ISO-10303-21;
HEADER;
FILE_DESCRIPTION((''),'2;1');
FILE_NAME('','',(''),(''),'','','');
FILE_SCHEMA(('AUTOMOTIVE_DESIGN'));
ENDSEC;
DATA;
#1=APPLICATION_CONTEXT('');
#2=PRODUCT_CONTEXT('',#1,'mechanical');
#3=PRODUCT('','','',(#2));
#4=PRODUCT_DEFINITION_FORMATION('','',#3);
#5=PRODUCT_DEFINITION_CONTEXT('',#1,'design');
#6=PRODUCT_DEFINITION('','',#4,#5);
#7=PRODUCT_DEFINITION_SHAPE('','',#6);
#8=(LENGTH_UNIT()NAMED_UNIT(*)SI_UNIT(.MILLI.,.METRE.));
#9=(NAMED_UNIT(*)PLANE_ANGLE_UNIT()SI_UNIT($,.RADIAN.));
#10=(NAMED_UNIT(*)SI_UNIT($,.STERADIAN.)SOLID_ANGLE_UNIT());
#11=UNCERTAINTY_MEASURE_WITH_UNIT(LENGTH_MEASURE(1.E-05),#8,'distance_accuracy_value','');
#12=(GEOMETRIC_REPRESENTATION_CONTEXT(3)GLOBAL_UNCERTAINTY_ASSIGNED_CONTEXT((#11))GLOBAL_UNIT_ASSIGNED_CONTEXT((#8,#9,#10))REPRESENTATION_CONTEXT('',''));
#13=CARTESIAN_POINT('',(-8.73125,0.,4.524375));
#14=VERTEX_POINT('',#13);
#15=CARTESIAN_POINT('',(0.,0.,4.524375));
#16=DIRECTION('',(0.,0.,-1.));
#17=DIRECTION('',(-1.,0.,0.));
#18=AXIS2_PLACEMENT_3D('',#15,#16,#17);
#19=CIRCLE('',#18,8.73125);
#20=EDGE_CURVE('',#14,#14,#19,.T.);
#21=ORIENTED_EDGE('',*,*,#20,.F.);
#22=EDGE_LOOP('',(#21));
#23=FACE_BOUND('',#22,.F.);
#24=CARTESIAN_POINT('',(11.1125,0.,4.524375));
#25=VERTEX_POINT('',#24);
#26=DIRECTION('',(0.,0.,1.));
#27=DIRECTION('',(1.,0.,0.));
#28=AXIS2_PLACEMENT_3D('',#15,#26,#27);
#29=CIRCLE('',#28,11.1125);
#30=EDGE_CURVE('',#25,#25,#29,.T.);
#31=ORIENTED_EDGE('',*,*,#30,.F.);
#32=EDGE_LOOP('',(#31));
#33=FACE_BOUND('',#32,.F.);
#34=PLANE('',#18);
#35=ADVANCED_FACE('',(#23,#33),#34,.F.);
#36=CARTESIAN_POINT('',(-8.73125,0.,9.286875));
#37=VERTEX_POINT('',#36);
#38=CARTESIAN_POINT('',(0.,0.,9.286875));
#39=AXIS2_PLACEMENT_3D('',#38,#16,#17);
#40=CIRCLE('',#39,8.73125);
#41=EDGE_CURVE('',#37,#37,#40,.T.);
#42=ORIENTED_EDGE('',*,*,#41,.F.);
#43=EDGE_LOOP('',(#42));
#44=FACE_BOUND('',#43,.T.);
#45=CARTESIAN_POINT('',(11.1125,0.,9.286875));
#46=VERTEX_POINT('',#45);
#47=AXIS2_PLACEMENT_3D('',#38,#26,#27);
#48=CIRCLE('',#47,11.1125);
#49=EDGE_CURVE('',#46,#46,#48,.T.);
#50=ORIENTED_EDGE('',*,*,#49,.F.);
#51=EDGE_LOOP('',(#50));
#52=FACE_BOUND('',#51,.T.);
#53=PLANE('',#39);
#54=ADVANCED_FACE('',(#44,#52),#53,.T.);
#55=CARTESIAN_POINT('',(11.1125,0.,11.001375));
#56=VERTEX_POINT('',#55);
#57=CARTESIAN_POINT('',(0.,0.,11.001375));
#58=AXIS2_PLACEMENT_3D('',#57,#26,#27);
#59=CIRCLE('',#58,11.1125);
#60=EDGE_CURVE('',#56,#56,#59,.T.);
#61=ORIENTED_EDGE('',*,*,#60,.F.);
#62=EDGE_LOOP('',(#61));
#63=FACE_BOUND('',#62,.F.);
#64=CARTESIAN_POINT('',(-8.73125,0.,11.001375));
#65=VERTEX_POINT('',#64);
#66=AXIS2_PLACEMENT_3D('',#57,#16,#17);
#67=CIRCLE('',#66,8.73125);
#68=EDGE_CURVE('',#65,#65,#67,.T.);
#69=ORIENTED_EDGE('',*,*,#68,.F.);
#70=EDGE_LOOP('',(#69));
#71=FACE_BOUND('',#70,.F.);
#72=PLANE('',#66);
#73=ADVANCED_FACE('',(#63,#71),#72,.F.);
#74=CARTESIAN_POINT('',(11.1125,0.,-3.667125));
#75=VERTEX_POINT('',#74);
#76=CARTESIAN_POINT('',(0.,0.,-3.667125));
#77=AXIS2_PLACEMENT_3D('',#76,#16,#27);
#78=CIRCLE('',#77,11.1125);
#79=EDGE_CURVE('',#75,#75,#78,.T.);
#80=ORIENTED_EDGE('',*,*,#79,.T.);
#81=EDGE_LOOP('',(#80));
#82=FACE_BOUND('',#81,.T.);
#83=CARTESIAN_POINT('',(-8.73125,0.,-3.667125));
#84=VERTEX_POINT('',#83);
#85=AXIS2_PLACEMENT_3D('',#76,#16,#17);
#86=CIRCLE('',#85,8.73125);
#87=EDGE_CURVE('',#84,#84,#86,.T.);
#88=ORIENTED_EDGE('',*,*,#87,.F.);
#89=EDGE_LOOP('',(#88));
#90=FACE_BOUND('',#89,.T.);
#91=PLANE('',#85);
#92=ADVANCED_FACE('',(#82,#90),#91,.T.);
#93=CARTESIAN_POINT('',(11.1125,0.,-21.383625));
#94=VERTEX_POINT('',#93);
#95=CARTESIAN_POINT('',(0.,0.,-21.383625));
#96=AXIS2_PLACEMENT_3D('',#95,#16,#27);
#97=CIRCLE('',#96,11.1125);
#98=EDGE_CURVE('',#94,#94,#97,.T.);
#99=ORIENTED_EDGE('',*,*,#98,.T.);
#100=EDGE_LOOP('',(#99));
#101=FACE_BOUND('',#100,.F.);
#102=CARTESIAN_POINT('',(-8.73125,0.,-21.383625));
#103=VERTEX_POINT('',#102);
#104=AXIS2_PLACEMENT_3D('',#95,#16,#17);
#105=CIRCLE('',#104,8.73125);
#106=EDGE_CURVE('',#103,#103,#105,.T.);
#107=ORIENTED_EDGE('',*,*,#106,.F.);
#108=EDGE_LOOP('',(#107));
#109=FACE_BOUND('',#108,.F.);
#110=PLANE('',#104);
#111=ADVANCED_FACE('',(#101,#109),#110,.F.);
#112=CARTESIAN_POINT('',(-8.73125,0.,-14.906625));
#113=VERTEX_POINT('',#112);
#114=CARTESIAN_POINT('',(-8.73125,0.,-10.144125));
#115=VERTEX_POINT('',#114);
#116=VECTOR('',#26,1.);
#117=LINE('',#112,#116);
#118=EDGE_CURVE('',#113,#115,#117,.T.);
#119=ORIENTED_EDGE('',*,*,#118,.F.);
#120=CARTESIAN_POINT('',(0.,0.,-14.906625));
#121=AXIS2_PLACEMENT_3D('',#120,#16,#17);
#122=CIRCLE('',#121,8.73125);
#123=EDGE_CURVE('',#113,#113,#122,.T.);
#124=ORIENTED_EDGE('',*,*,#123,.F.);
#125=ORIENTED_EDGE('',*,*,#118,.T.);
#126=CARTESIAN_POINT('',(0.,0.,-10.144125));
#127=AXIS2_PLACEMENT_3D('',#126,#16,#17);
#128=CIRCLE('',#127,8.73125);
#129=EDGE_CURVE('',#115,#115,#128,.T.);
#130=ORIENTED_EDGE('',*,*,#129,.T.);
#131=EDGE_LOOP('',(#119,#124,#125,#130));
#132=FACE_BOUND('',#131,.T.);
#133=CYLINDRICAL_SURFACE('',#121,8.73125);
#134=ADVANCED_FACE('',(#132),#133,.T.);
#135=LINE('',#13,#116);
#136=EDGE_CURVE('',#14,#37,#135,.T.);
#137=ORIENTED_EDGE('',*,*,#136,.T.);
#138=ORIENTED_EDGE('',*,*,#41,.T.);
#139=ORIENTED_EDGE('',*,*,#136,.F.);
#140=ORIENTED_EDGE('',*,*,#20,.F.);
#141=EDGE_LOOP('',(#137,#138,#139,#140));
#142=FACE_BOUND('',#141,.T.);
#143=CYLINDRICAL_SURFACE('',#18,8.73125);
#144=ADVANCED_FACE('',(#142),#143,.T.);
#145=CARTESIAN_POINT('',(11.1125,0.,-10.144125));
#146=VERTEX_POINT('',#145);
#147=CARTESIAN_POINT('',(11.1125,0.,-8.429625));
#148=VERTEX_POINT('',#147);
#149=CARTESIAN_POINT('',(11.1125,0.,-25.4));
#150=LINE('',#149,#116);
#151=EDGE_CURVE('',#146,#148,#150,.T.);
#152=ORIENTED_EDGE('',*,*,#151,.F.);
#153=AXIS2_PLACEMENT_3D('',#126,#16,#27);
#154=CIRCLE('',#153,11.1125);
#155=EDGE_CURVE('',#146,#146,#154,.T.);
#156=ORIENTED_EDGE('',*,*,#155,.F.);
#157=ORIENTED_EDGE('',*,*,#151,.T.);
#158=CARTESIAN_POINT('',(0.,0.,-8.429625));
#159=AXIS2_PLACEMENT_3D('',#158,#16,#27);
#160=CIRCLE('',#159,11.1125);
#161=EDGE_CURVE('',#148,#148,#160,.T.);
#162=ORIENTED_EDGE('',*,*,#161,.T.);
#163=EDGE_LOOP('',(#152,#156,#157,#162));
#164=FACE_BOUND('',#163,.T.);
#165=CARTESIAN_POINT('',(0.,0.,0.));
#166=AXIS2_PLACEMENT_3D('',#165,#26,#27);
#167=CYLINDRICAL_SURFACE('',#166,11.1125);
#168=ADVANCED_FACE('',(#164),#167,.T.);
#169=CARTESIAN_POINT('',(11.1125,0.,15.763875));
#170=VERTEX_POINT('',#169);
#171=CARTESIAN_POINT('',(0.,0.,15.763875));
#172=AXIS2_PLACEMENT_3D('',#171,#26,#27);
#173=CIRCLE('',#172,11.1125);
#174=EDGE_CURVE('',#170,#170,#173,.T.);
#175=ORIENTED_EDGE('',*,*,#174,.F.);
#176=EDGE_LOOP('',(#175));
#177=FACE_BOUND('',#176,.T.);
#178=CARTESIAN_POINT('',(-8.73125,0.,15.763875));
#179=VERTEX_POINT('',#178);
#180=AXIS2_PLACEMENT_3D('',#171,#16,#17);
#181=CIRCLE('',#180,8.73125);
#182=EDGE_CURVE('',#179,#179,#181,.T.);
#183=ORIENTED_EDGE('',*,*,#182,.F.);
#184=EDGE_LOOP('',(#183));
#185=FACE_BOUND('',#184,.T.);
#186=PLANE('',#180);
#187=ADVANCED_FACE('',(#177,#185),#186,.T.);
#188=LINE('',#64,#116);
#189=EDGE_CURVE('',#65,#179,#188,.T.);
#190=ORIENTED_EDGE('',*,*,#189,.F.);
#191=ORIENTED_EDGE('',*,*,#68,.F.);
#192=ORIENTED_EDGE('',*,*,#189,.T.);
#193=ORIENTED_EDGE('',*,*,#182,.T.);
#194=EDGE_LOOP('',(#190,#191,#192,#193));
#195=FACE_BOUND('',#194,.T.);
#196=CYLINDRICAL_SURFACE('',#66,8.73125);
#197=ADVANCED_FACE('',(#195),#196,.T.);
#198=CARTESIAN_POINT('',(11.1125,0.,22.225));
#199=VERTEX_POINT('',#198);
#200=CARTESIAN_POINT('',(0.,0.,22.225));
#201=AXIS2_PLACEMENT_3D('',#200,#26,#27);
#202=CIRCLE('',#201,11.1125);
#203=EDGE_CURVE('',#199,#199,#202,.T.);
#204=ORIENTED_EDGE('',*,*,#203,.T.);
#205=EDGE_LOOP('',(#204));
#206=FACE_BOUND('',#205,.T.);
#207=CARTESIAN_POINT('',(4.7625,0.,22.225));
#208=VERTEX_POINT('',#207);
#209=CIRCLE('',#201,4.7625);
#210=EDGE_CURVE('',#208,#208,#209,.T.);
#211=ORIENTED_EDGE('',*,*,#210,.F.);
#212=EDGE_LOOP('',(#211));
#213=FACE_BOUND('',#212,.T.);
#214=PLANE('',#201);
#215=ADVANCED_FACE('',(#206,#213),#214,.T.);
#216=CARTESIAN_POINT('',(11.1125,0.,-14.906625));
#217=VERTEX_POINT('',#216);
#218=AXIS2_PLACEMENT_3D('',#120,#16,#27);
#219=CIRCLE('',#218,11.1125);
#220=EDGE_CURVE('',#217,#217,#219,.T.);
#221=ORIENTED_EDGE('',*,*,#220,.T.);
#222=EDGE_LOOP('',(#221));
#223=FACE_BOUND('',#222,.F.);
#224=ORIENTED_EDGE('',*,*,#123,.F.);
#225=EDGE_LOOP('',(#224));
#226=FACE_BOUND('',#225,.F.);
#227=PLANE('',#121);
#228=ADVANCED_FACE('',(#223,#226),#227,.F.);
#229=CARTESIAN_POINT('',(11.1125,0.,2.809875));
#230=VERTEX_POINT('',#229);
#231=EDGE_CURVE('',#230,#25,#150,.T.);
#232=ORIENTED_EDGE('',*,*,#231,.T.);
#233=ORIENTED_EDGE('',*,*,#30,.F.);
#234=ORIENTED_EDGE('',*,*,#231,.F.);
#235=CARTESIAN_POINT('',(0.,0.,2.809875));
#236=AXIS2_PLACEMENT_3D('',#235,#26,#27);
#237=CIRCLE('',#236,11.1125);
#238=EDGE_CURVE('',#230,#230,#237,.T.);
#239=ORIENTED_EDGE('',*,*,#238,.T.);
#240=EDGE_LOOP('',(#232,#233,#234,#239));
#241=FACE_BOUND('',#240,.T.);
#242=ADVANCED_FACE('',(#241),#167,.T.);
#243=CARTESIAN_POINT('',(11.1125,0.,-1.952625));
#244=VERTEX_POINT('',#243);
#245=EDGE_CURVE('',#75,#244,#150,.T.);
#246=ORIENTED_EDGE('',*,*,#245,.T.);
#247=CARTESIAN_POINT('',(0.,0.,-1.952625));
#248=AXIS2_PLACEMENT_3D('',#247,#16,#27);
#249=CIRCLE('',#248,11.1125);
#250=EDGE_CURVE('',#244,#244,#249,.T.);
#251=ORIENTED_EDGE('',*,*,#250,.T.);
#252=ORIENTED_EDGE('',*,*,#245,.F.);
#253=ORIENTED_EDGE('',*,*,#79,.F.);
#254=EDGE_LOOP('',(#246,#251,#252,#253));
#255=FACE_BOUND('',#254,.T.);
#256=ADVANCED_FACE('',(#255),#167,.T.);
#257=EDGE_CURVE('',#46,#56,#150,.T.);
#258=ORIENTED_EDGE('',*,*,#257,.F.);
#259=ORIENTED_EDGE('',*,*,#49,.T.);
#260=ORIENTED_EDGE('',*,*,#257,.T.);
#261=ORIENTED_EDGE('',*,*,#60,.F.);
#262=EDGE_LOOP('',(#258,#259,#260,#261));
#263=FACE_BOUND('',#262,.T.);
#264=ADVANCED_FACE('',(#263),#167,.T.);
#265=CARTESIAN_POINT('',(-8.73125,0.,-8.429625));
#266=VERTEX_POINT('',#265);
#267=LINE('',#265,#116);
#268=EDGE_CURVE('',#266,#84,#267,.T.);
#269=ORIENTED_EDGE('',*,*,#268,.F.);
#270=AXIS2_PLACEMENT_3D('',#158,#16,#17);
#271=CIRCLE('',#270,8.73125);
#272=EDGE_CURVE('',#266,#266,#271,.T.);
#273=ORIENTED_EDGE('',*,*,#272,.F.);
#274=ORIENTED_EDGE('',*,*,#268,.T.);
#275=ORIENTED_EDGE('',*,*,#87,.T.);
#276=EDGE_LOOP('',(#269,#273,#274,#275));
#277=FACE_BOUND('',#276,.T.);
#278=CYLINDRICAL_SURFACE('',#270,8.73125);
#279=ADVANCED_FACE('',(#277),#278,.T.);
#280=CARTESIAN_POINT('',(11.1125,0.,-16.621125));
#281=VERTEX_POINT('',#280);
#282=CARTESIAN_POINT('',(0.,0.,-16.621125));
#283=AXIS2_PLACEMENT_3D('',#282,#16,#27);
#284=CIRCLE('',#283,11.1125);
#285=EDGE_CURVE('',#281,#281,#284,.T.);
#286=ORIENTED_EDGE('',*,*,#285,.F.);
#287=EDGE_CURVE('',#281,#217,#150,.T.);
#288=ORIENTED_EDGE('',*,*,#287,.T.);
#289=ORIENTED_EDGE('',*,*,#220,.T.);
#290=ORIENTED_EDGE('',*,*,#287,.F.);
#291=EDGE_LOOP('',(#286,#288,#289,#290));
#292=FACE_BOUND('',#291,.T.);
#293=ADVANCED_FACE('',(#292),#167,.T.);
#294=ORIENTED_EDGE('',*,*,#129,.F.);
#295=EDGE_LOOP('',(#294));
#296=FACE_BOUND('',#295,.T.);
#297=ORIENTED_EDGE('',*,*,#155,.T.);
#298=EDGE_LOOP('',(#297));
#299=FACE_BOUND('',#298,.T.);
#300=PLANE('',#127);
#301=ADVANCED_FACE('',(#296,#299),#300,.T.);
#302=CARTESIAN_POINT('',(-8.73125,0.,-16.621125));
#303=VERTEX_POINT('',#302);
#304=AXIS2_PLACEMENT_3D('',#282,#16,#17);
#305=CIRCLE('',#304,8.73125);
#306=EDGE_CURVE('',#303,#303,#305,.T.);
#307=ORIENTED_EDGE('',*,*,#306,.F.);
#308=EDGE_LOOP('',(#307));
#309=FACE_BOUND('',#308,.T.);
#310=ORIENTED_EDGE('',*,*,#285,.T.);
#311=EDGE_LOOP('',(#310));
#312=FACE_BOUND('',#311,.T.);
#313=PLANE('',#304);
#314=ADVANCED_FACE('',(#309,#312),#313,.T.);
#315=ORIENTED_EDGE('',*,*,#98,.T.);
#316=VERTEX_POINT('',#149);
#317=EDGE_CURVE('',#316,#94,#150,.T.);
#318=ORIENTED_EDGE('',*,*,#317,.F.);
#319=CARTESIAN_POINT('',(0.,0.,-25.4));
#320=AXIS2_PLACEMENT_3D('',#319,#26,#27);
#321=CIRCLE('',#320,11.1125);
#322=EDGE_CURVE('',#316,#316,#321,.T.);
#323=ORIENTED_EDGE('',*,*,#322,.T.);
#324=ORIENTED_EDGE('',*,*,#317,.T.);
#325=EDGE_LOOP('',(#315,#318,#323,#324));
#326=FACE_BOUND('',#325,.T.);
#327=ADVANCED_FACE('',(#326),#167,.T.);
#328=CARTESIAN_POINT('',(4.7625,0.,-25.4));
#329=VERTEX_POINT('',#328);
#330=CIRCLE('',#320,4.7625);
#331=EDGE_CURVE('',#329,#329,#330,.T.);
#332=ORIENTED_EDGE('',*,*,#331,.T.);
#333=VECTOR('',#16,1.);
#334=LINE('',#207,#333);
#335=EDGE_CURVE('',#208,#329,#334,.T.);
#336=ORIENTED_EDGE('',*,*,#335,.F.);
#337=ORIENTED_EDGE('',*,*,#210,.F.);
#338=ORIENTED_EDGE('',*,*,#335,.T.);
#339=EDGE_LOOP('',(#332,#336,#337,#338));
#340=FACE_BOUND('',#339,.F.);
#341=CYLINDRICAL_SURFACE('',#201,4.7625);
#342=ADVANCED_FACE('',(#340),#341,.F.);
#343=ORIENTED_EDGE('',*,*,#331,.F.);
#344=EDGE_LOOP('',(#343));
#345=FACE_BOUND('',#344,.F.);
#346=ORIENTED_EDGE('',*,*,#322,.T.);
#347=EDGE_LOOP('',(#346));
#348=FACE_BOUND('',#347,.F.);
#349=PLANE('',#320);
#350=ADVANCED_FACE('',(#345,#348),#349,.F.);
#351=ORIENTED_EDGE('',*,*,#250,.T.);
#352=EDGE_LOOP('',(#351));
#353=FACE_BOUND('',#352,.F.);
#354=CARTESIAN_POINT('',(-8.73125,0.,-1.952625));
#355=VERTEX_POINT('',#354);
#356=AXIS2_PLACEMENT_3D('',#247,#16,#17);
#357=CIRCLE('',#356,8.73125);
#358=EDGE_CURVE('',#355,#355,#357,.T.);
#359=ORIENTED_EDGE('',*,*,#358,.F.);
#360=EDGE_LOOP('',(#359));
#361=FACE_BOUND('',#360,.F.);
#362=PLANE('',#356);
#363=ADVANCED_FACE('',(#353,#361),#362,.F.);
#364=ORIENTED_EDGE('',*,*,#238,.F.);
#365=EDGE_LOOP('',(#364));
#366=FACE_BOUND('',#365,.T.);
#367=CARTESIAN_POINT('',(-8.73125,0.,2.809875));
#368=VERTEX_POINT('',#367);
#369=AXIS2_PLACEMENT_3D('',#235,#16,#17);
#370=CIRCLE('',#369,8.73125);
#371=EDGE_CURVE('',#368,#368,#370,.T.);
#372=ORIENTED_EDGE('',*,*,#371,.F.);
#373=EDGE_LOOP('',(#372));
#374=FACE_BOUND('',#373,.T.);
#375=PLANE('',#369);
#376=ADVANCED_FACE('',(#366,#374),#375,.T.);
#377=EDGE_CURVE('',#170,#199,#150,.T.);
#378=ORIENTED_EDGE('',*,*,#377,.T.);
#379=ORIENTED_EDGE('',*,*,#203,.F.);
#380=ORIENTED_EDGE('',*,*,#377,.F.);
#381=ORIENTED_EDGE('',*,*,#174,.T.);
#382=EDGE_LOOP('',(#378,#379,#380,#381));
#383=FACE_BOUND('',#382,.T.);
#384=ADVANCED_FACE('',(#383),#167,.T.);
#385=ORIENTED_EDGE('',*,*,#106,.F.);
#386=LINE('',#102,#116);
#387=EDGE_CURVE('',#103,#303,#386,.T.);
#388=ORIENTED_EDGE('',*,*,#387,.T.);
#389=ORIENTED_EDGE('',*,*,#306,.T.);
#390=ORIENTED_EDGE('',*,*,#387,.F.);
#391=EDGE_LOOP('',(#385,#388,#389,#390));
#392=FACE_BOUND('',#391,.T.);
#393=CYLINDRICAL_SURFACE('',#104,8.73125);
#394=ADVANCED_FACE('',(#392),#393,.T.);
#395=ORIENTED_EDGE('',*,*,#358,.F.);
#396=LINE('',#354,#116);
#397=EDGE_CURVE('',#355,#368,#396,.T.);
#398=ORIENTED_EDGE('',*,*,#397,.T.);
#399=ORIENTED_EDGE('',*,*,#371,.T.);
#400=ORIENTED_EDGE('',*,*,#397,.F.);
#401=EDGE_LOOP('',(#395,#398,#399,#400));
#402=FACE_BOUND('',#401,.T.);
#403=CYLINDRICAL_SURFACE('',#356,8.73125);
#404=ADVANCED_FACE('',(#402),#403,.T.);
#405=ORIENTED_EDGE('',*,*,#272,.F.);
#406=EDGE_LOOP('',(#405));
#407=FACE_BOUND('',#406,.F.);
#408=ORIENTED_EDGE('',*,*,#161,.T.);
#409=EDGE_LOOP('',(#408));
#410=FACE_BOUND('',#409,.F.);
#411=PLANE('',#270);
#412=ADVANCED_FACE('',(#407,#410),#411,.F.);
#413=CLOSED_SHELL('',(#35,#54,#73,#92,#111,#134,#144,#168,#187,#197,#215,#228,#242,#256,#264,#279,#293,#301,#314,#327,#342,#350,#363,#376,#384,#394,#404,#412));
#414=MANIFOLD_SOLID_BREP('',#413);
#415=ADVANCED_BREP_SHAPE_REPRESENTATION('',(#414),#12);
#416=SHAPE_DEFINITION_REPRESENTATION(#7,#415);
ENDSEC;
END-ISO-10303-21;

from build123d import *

# Parameters (mm, degrees)
SKETCH1_R          = 11.1125
SKETCH1_R_2        = 3.2004
EXTRUDE1_DEPTH     = 25.4
SKETCH5_R          = 11.1125
SKETCH5_R_2        = 3.2004
CUT_EXTRUDE1_DEPTH = 3.175
SKETCH6_R          = 4.7625
CUT_EXTRUDE2_DEPTH = 48.625
CUT_EXTRUDE3_START = -4.016375
SKETCH7_R          = 11.1125
SKETCH7_R_2        = 8.73125
CUT_EXTRUDE3_DEPTH = 4.7625
LPATTERN1_COUNT    = 6
LPATTERN1_PITCH    = 6.477


with BuildPart() as part:
    # Sketch1 → Extrude1 (new body, symmetric)
    with BuildSketch(Plane.XY):
        Circle(SKETCH1_R)
        Circle(SKETCH1_R_2, mode=Mode.SUBTRACT)
    extrude(amount=EXTRUDE1_DEPTH, both=True)

    # Sketch5 → Cut-Extrude1 (cut)
    with BuildSketch(Plane.XY.offset(25.4)):
        Circle(SKETCH5_R)
        Circle(SKETCH5_R_2, mode=Mode.SUBTRACT)
    extrude(amount=-CUT_EXTRUDE1_DEPTH, mode=Mode.SUBTRACT)

    # Sketch6 → Cut-Extrude2 (cut, through all)
    with BuildSketch(Plane.XY.offset(22.225)):
        Circle(SKETCH6_R)
    extrude(amount=-CUT_EXTRUDE2_DEPTH, mode=Mode.SUBTRACT)

    # Sketch7 → Cut-Extrude3 (cut)
    with BuildSketch(Plane(origin=(0, 0, -25.4), x_dir=(-1, 0, 0), z_dir=(0, 0, -1)).offset(CUT_EXTRUDE3_START)):
        Circle(SKETCH7_R)
        Circle(SKETCH7_R_2, mode=Mode.SUBTRACT)
    cut_extrude3 = extrude(amount=-CUT_EXTRUDE3_DEPTH, mode=Mode.SUBTRACT)

    # LPattern1: Cut-Extrude3 ×6
    with Locations(*[(0, 0, i * LPATTERN1_PITCH) for i in range(1, LPATTERN1_COUNT)]):
        add(cut_extrude3, mode=Mode.SUBTRACT)


solid = part.part
